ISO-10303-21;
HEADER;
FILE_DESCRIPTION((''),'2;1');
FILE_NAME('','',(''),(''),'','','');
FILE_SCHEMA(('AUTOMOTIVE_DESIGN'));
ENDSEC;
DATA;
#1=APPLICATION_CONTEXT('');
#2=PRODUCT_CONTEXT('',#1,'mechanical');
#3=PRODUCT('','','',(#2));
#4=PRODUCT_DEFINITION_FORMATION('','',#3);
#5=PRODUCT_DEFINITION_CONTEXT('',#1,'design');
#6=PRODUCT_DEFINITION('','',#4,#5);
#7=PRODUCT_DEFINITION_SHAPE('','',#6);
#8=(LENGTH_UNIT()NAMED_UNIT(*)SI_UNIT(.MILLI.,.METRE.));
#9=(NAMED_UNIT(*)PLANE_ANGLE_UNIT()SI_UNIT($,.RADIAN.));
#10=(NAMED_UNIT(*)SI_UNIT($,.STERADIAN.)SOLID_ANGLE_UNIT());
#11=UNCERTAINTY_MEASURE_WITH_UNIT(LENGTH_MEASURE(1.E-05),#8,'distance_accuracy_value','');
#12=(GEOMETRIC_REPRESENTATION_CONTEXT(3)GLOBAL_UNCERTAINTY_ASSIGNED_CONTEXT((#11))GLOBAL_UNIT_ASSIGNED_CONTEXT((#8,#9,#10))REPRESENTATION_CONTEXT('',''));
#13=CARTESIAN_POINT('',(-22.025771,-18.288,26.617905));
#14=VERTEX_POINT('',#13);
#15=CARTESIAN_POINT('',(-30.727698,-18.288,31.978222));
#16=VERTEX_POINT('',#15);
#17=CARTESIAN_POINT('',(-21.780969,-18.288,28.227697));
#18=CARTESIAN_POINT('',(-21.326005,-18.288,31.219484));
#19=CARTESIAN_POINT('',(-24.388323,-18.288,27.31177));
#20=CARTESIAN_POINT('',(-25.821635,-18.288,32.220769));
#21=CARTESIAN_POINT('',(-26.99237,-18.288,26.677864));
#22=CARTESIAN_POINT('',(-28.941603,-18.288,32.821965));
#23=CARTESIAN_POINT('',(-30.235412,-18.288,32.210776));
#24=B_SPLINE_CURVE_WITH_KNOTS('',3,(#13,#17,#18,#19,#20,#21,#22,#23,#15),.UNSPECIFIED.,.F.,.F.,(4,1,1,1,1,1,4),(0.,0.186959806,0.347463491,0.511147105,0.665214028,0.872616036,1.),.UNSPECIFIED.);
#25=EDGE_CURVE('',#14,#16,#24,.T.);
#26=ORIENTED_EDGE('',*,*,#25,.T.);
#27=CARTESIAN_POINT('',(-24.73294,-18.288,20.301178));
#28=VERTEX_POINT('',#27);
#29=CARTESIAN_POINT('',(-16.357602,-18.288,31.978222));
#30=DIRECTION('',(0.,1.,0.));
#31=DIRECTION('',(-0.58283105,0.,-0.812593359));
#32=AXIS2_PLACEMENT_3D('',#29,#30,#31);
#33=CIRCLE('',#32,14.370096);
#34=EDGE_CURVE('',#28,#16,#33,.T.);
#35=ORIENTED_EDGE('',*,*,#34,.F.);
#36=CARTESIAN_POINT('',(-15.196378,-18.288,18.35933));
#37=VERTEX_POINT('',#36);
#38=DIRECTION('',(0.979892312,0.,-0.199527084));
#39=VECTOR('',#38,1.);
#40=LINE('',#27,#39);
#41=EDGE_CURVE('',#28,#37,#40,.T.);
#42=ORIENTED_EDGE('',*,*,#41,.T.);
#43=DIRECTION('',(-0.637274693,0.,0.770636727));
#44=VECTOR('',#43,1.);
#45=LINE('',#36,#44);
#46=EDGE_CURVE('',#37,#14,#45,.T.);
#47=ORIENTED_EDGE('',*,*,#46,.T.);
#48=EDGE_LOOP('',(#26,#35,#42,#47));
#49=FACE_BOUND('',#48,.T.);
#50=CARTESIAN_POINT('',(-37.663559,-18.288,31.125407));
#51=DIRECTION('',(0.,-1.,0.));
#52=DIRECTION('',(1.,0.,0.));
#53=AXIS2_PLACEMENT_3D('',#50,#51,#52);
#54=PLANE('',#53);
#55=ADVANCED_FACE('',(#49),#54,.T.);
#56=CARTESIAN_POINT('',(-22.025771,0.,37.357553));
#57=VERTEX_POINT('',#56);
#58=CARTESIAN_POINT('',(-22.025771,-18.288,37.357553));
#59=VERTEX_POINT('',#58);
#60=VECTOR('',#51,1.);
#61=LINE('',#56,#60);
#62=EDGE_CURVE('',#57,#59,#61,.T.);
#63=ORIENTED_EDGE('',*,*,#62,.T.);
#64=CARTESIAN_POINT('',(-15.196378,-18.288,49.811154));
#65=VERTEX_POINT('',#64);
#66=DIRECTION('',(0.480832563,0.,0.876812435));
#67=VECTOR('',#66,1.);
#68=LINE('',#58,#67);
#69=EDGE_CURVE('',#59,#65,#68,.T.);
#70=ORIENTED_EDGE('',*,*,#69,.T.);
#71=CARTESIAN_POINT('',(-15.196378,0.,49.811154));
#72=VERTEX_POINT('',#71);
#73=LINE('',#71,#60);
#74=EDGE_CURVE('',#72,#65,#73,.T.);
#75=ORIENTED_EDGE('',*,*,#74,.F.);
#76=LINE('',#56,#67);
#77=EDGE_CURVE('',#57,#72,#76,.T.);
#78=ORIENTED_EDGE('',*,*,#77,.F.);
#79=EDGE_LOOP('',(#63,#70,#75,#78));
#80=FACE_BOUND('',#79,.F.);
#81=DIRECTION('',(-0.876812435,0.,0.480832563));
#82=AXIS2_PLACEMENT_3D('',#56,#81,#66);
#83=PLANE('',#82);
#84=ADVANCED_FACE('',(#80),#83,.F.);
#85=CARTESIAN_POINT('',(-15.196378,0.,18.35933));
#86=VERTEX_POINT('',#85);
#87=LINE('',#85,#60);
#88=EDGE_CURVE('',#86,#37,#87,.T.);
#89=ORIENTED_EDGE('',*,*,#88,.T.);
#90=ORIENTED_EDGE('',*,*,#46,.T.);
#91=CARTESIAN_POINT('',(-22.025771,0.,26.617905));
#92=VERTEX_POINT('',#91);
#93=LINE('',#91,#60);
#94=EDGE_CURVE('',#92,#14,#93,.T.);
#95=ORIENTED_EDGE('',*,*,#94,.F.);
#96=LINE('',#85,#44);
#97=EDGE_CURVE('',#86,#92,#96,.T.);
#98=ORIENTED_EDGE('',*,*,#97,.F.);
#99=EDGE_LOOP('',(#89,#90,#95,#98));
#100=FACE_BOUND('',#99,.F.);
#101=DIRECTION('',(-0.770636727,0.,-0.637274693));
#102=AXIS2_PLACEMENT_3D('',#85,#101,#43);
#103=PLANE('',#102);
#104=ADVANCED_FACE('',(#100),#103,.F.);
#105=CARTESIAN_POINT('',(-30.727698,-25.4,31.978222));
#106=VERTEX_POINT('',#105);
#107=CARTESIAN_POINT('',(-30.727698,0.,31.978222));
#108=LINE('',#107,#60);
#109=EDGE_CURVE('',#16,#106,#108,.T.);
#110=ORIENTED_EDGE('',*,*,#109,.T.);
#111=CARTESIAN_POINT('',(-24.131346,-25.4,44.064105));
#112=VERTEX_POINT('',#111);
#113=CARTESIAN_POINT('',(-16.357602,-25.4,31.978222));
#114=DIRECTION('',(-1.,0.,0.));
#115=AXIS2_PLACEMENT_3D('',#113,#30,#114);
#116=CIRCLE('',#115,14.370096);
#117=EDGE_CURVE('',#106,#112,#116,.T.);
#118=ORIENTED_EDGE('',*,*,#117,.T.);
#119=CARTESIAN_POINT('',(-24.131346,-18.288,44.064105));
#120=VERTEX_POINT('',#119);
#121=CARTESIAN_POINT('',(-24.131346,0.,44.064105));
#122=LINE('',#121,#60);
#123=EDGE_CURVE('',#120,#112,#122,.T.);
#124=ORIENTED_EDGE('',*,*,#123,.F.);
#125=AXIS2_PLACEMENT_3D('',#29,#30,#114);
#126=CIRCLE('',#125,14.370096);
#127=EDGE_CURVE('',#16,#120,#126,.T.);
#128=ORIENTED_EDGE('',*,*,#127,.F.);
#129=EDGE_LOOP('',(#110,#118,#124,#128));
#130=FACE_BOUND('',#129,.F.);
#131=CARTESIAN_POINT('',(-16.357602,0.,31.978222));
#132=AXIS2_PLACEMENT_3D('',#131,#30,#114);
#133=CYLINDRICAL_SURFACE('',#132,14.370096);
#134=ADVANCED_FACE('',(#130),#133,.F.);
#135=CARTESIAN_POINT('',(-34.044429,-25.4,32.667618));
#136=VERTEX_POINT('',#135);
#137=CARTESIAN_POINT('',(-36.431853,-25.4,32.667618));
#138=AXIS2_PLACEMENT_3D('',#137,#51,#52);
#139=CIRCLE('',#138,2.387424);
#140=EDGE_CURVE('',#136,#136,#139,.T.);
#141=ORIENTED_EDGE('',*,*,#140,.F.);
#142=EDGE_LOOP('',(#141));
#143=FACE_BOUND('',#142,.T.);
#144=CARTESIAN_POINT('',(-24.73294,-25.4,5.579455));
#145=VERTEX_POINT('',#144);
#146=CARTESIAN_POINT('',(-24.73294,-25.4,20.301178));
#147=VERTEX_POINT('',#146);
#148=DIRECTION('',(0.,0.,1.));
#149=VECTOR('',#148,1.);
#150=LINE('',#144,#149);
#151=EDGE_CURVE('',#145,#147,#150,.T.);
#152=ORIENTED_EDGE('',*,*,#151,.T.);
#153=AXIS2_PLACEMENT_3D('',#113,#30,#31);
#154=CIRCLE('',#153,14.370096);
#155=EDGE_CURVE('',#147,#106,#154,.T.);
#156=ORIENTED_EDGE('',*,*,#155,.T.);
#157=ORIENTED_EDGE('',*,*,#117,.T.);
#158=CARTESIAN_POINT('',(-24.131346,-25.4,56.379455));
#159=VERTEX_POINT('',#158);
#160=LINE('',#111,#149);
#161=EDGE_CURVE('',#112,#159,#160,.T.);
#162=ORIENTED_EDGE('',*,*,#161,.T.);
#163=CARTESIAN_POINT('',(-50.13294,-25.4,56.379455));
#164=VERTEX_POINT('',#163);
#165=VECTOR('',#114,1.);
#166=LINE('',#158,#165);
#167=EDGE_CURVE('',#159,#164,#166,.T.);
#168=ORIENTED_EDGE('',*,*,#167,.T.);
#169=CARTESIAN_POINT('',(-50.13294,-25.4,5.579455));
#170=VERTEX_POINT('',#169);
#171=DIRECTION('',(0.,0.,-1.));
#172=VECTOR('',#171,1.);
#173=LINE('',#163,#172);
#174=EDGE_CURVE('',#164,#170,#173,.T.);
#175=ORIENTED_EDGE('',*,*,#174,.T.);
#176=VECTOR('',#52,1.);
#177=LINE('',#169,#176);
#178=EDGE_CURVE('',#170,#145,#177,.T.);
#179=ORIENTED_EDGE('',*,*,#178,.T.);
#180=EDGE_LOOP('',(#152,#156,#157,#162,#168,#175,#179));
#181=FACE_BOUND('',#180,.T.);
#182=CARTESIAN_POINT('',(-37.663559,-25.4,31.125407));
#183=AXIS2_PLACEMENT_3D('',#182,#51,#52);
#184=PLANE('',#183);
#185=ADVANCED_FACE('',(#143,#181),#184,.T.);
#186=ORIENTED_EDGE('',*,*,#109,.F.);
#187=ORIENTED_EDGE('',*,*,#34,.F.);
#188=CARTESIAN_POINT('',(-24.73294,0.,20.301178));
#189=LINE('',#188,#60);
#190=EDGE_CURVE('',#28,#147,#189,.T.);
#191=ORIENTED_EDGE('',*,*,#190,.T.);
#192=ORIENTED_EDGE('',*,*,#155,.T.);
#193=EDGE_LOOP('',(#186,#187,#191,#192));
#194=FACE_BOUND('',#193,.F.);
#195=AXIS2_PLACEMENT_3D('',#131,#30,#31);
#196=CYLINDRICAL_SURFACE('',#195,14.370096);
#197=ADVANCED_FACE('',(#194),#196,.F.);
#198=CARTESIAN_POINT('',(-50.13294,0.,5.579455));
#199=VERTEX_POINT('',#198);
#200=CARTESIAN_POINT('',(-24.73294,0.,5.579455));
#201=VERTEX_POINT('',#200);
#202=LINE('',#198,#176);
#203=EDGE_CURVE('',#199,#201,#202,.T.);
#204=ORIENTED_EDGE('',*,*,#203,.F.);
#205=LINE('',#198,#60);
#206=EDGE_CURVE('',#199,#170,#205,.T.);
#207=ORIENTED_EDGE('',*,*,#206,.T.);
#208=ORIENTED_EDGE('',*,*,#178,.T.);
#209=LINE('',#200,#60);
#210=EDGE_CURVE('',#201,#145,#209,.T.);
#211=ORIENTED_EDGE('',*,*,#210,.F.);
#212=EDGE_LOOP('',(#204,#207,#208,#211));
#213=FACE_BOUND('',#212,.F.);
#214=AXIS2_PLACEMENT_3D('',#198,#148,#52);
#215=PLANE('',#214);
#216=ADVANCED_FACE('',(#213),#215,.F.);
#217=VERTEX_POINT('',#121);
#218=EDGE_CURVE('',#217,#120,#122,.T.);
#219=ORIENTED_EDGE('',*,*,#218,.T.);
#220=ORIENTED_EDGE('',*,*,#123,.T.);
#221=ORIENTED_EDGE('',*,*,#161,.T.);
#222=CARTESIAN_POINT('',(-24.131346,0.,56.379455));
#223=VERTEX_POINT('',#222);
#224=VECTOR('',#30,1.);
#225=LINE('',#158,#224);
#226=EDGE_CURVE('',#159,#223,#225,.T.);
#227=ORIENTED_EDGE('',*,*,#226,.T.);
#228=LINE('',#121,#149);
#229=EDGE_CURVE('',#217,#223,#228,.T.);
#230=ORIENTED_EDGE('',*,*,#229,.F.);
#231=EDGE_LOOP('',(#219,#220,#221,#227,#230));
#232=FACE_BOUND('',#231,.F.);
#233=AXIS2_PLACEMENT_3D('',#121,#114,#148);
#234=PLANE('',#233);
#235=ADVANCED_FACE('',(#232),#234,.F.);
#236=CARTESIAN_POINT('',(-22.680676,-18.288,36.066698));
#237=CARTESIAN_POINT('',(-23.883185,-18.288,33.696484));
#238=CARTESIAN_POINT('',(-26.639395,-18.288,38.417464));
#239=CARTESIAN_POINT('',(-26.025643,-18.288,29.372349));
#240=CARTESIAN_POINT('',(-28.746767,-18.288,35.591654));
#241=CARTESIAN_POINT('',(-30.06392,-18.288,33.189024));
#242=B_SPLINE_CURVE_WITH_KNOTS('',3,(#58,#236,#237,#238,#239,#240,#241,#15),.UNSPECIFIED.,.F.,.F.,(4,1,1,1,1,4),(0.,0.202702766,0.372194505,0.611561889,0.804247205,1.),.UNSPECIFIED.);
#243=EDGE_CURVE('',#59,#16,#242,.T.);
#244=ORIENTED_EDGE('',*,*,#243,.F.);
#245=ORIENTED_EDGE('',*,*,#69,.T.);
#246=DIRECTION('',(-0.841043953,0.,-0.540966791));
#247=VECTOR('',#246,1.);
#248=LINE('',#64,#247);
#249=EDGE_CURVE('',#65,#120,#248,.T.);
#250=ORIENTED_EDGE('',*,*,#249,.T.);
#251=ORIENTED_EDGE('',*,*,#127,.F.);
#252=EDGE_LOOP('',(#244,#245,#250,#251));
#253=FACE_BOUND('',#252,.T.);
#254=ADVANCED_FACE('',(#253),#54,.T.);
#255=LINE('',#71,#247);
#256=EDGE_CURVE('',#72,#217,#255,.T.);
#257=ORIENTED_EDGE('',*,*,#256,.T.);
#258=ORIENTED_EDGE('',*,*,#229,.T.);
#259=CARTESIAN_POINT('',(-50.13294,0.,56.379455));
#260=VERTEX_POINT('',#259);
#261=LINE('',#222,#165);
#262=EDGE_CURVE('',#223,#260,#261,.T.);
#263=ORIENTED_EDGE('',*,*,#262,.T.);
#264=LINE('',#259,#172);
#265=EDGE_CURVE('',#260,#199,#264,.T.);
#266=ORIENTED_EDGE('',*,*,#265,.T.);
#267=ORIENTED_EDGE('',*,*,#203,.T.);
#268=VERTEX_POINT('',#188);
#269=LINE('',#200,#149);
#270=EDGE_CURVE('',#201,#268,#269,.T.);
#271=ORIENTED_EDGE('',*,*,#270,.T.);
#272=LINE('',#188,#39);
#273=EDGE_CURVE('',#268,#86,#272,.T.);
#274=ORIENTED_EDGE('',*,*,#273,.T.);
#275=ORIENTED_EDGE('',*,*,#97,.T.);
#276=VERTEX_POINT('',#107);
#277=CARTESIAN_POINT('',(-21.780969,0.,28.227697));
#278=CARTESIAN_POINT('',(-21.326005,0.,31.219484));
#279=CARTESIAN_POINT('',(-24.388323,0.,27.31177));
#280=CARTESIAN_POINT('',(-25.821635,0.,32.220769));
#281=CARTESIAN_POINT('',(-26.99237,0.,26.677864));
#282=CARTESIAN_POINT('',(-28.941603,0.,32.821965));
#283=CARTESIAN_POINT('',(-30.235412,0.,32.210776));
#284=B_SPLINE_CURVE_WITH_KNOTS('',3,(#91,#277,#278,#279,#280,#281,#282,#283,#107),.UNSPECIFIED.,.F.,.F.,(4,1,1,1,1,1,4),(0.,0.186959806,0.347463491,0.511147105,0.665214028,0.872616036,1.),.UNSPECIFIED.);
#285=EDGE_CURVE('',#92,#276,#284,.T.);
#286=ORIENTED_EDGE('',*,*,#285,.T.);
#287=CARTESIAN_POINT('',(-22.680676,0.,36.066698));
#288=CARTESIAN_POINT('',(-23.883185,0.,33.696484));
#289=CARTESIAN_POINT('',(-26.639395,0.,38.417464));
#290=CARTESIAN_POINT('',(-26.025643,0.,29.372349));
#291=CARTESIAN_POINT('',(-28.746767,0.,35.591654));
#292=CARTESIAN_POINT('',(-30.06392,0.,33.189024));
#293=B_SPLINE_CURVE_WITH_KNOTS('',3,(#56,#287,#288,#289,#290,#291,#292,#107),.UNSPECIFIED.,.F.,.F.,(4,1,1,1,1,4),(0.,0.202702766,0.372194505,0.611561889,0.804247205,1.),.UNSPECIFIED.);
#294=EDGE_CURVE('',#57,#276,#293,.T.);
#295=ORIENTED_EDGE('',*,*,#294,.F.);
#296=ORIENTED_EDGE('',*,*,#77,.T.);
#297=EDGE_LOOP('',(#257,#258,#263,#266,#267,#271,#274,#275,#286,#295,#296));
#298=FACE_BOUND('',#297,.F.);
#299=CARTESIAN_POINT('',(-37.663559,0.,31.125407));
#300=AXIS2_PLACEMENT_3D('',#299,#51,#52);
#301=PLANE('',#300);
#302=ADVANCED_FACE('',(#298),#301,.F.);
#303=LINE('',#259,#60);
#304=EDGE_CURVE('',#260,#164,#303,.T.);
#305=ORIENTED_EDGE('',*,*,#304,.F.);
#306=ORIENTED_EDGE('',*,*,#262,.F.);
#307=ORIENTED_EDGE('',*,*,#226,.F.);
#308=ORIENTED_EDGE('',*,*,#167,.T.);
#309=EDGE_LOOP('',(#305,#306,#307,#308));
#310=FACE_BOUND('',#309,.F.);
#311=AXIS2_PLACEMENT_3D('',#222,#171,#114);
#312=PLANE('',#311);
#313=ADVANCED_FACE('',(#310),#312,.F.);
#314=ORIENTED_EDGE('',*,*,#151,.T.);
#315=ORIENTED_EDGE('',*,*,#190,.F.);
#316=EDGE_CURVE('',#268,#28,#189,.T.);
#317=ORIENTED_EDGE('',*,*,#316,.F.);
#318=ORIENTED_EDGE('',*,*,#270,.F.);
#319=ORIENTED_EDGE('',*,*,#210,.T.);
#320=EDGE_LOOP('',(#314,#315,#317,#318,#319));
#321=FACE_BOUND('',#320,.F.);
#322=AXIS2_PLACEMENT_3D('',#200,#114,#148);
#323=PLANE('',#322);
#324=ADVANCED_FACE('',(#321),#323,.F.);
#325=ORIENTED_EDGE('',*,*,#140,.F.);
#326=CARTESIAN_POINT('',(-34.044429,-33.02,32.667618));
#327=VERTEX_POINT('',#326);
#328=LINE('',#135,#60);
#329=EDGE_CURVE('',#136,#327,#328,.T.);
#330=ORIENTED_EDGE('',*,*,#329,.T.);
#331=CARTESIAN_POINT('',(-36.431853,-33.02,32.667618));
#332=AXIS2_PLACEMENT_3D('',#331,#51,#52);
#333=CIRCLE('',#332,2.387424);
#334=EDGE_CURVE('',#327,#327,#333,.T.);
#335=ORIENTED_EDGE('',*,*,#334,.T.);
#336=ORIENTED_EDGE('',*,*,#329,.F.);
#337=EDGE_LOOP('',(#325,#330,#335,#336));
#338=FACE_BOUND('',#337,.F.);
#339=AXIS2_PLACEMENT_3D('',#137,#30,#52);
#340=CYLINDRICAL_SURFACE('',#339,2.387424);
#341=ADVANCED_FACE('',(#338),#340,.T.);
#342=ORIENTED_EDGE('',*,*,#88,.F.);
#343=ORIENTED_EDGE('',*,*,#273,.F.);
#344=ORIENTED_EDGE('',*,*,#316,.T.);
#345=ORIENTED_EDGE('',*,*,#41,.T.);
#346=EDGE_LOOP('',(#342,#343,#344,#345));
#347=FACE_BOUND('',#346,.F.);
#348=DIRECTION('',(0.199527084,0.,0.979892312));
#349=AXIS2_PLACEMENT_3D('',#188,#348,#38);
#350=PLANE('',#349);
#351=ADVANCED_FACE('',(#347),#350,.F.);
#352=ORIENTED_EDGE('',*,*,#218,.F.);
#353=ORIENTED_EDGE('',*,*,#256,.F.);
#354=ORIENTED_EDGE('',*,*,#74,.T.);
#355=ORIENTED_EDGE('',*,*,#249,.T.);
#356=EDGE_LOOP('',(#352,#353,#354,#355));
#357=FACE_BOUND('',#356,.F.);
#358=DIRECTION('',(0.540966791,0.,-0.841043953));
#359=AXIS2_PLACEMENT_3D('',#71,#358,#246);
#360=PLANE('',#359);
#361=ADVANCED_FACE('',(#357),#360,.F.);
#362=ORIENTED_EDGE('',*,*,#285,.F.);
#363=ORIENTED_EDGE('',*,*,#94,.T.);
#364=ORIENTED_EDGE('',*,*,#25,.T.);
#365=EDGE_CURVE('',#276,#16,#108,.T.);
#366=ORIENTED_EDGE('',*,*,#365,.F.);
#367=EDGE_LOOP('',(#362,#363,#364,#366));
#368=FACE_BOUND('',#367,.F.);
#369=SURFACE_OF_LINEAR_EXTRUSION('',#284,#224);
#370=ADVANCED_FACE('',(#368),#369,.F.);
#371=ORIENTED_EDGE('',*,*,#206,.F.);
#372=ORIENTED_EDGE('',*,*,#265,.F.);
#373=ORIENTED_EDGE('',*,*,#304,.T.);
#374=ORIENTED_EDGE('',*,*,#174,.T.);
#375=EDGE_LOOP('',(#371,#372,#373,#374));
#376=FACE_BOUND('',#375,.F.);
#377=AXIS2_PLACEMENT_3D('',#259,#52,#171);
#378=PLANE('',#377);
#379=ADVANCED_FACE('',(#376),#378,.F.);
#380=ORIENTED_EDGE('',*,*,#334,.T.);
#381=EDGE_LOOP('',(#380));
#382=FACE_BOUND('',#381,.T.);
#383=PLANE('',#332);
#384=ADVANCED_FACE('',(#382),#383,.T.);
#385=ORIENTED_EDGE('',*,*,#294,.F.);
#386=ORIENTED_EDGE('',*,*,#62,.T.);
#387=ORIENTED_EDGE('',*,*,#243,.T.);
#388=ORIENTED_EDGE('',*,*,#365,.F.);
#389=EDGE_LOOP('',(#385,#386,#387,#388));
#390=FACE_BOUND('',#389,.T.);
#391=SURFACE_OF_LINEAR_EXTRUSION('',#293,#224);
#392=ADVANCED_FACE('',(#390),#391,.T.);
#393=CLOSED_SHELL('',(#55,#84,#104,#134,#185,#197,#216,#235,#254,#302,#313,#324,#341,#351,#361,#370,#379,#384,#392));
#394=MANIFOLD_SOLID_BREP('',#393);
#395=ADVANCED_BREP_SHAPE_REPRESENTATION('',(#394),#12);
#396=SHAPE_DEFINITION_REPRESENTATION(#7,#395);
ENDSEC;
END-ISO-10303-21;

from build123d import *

# Parameters (mm, degrees)
F1_DEPTH = 25.4
F2_DEPTH = 18.288
F3_R     = 2.3874235121
F4_DEPTH = 7.62


with BuildPart() as f1:
    # F0 (on Front) → F1 (new body)
    with BuildSketch(Plane.XZ):
        with BuildLine():
            Line((-24.131346494, 56.3794554487), (-50.132939899, 56.3794554487))
            Line((-50.132939899, 56.3794554487), (-50.132939899, 5.5794554487))
            Line((-50.132939899, 5.5794554487), (-24.732939899, 5.5794554487))
            Line((-24.732939899, 5.5794554487), (-24.732939899, 20.3011780977))
            ThreePointArc((-24.732939899, 20.3011780977), (-29.1414600938, 25.4152489382), (-30.7276976446, 31.9782224489))
            ThreePointArc((-30.7276976446, 31.9782224489), (-28.9712672239, 38.862632279), (-24.131346494, 44.064104557))
            Line((-24.131346494, 44.064104557), (-24.131346494, 56.3794554487))
        make_face()
    extrude(amount=F1_DEPTH)

    # F0 (on Front) → F2 (join)
    with BuildSketch(Plane.XZ):
        with BuildLine():
            Line((-24.131346494, 56.3794554487), (-50.132939899, 56.3794554487))
            Line((-50.132939899, 56.3794554487), (-50.132939899, 5.5794554487))
            Line((-50.132939899, 5.5794554487), (-24.732939899, 5.5794554487))
            Line((-24.732939899, 5.5794554487), (-24.732939899, 20.3011780977))
            ThreePointArc((-24.732939899, 20.3011780977), (-29.1414600938, 25.4152489382), (-30.7276976446, 31.9782224489))
            ThreePointArc((-30.7276976446, 31.9782224489), (-28.9712672239, 38.862632279), (-24.131346494, 44.064104557))
            Line((-24.131346494, 44.064104557), (-24.131346494, 56.3794554487))
        make_face()
        with BuildLine():
            Line((-15.1963783757, 49.8111538198), (-24.131346494, 44.064104557))
            ThreePointArc((-24.131346494, 44.064104557), (-28.9712672239, 38.862632279), (-30.7276976446, 31.9782224489))
            add(Edge.make_bspline(
                [(-22.0257714391, 37.3575530945), (-22.6806760296, 36.0666983976), (-23.8831849752, 33.6964839524), (-26.6393946432, 38.4174636178), (-26.0256427545, 29.3723486265), (-28.7467670812, 35.5916543326), (-30.0639202898, 33.1890242316), (-30.7276976446, 31.9782224489)],
                knots=[0, 0, 0, 0, 0.2027027665, 0.3721945052, 0.6115618889, 0.8042472051, 1, 1, 1, 1], degree=3))
            Line((-22.0257714391, 37.3575530945), (-15.1963783757, 49.8111538198))
        make_face()
        with BuildLine():
            ThreePointArc((-30.7276976446, 31.9782224489), (-29.1414600938, 25.4152489382), (-24.732939899, 20.3011780977))
            Line((-24.732939899, 20.3011780977), (-15.1963783757, 18.3593296999))
            Line((-15.1963783757, 18.3593296999), (-22.0257714391, 26.617905125))
            add(Edge.make_bspline(
                [(-22.0257714391, 26.617905125), (-21.7809687928, 28.2276969891), (-21.3260047871, 31.2194839083), (-24.3883231118, 27.3117695941), (-25.821635029, 32.2207693678), (-26.9923703045, 26.6778642305), (-28.9416028698, 32.8219648717), (-30.2354115507, 32.2107759883), (-30.7276976446, 31.9782224489)],
                knots=[0, 0, 0, 0, 0.1869598057, 0.3474634911, 0.5111471046, 0.6652140281, 0.872616036, 1, 1, 1, 1], degree=3))
        make_face()
    extrude(amount=F2_DEPTH)

    # F3 (on face) → F4 (join)
    with BuildSketch(Plane.XZ.offset(25.4)):
        with Locations((-36.4318527281, 32.6676182449)):
            Circle(F3_R)
    extrude(amount=F4_DEPTH)


solid = f1.part
